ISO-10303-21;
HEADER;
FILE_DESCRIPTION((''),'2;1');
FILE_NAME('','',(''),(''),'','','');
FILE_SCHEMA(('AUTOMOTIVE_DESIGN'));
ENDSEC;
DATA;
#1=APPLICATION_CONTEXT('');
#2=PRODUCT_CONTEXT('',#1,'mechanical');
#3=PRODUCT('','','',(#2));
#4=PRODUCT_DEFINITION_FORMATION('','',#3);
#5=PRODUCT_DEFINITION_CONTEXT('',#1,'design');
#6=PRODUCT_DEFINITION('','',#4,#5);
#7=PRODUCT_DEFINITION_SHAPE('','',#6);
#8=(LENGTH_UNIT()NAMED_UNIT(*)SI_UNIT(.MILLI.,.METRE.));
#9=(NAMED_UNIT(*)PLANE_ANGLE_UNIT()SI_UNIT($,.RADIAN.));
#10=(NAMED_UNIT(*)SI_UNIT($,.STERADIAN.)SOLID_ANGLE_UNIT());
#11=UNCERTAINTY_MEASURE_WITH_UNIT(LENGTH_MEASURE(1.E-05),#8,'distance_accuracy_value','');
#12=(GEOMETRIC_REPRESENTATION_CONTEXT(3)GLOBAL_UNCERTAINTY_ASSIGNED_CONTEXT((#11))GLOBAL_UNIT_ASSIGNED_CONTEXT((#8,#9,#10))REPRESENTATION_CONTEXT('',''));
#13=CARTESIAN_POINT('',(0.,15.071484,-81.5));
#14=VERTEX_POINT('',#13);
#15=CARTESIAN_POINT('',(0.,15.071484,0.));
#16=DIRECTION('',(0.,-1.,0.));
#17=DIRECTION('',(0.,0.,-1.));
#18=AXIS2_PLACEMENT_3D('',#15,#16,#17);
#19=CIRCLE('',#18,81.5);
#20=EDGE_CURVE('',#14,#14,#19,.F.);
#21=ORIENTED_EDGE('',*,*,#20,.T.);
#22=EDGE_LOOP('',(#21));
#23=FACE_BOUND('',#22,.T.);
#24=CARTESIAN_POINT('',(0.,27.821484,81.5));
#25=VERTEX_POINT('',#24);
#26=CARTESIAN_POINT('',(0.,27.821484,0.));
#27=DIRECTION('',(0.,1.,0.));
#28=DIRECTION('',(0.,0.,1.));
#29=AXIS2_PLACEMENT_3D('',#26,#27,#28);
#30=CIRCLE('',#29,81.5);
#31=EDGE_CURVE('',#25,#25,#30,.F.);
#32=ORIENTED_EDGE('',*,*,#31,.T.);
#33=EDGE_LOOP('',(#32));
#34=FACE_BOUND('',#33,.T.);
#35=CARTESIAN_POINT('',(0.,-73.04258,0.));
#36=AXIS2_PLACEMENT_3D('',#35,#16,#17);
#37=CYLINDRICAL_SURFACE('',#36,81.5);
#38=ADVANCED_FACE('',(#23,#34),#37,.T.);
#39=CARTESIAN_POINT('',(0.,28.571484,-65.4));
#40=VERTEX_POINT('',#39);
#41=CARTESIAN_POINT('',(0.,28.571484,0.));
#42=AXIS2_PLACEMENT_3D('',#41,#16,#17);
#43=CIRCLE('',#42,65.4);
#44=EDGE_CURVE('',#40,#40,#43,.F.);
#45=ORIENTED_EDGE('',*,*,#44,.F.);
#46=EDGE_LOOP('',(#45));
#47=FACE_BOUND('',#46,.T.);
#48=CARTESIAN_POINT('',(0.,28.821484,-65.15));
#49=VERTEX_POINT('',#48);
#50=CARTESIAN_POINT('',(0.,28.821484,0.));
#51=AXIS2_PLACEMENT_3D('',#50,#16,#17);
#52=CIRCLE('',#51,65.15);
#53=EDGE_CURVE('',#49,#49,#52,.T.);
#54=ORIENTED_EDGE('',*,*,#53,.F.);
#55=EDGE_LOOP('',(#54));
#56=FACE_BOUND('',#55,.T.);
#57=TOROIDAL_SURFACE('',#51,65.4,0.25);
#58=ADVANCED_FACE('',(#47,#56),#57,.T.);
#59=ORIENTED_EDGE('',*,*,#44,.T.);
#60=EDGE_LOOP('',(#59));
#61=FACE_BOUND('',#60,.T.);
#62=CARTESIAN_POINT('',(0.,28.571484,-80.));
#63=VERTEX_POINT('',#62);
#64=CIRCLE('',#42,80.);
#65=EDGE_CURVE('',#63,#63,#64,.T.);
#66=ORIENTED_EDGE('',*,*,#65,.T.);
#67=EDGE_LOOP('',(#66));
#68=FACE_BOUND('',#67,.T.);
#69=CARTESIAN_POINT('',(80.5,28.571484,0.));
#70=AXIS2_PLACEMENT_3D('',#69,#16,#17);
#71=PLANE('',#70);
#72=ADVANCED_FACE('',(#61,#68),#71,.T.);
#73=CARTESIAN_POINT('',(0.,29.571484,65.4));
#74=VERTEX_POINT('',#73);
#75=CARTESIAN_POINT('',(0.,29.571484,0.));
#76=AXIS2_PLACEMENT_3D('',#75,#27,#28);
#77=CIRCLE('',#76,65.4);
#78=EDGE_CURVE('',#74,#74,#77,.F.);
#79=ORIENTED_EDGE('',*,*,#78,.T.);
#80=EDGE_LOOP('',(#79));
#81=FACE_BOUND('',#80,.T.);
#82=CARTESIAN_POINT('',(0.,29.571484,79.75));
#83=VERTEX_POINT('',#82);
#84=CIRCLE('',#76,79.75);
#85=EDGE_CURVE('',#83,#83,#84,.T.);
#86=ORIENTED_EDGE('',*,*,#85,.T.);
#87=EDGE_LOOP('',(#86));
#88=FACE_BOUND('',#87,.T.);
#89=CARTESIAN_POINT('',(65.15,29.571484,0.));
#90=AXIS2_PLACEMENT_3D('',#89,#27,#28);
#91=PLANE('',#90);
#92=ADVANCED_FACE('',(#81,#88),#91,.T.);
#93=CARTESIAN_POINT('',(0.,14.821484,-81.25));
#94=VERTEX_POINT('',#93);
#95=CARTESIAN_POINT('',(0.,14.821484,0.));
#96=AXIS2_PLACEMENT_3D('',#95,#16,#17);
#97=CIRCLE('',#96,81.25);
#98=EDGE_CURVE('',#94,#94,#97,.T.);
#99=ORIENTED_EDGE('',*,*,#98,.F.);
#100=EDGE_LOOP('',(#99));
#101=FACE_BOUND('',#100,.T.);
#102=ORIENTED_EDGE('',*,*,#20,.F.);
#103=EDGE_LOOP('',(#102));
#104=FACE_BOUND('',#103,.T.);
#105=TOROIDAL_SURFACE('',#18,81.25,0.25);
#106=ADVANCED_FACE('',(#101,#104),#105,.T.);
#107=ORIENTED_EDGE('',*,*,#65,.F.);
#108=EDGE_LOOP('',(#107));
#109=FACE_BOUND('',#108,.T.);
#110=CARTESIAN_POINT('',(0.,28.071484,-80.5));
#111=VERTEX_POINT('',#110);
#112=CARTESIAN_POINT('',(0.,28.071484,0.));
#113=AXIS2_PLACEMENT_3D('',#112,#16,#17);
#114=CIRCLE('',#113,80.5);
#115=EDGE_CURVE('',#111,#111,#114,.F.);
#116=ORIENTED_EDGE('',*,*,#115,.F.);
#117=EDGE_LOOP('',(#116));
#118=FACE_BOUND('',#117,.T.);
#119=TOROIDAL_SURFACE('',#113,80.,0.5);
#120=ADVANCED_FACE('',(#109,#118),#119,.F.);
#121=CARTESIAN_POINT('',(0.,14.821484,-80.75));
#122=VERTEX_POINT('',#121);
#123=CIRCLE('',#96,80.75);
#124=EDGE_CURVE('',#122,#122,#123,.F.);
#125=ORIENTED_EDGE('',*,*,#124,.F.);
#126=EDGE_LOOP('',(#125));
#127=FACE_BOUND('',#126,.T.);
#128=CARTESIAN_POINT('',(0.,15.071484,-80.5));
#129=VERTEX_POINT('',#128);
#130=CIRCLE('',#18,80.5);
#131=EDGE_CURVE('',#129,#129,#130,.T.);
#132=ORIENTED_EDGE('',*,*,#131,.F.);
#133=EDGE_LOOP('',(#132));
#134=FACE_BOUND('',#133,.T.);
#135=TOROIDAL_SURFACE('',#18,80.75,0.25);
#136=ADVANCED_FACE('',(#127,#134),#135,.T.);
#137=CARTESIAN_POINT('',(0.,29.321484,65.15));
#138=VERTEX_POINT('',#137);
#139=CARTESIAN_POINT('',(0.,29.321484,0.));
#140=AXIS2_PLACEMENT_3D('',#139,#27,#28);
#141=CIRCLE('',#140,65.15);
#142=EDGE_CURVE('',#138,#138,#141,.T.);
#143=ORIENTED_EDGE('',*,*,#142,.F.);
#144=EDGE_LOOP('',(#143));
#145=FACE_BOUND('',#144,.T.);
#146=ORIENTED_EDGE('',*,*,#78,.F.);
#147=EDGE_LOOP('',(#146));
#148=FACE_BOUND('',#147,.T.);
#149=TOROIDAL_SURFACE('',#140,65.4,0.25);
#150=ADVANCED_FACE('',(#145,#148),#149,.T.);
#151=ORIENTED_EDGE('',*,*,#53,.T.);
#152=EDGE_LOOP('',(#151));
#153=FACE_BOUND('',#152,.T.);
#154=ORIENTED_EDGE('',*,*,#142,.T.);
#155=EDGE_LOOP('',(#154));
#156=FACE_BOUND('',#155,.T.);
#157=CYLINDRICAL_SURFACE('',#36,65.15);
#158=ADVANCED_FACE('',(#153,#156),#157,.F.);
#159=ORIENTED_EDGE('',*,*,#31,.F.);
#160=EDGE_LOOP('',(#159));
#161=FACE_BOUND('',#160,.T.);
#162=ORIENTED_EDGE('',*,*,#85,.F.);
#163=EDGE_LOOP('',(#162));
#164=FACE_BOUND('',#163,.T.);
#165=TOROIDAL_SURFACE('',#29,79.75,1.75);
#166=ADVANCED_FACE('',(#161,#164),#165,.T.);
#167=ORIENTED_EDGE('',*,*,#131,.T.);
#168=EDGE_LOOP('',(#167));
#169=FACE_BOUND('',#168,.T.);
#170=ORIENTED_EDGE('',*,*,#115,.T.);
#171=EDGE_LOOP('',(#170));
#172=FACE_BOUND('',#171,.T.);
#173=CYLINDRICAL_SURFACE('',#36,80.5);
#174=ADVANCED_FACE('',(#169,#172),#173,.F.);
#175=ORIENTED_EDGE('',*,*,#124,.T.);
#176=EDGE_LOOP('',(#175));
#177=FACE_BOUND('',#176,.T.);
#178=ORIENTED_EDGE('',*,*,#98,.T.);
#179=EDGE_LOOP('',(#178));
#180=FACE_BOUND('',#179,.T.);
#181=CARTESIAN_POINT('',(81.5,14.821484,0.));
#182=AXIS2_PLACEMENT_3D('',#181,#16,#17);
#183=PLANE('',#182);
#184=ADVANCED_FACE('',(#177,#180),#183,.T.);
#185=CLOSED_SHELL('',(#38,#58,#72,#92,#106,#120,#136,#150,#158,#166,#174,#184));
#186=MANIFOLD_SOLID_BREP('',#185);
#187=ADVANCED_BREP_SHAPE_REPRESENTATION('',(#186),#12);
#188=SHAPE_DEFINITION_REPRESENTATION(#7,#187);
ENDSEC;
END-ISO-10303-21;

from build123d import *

# Parameters (mm, degrees)
FILETE1_R = 1.75
FILETE2_R = 0.5
FILETE4_R = 0.25


with BuildPart() as part:
    # Esboço1 → Revolução1 (revolve)
    with BuildSketch(Plane.XY, mode=Mode.PRIVATE) as revolu_o1_sk:
        Polygon((65.15, 28.571483942), (65.15, 29.571483942), (81.5, 29.571483942), (81.5, 14.821483942), (80.5, 14.821483942), (80.5, 28.571483942), align=None)
    revolve(revolu_o1_sk.sketch.rotate(Axis((0, -73.042580288, 0), (0, 1, 0)), 90), axis=Axis((0, -73.042580288, 0), (0, 1, 0)))

    # Filete1
    filete1_edges = [part.edges().sort_by_distance(p)[0] for p in [
        (0, 29.571483942, 81.5),
    ]]
    fillet(filete1_edges, radius=FILETE1_R)

    # Filete2
    filete2_edges = [part.edges().sort_by_distance(p)[0] for p in [
        (0, 28.571483942, 80.5),
    ]]
    fillet(filete2_edges, radius=FILETE2_R)

    # Filete4
    filete4_edges = [part.edges().sort_by_distance(p)[0] for p in [
        (0, 14.821483942, 80.5),
        (0, 14.821483942, 81.5),
        (0, 29.571483942, 65.15),
        (0, 28.571483942, 65.15),
    ]]
    fillet(filete4_edges, radius=FILETE4_R)


solid = part.part
